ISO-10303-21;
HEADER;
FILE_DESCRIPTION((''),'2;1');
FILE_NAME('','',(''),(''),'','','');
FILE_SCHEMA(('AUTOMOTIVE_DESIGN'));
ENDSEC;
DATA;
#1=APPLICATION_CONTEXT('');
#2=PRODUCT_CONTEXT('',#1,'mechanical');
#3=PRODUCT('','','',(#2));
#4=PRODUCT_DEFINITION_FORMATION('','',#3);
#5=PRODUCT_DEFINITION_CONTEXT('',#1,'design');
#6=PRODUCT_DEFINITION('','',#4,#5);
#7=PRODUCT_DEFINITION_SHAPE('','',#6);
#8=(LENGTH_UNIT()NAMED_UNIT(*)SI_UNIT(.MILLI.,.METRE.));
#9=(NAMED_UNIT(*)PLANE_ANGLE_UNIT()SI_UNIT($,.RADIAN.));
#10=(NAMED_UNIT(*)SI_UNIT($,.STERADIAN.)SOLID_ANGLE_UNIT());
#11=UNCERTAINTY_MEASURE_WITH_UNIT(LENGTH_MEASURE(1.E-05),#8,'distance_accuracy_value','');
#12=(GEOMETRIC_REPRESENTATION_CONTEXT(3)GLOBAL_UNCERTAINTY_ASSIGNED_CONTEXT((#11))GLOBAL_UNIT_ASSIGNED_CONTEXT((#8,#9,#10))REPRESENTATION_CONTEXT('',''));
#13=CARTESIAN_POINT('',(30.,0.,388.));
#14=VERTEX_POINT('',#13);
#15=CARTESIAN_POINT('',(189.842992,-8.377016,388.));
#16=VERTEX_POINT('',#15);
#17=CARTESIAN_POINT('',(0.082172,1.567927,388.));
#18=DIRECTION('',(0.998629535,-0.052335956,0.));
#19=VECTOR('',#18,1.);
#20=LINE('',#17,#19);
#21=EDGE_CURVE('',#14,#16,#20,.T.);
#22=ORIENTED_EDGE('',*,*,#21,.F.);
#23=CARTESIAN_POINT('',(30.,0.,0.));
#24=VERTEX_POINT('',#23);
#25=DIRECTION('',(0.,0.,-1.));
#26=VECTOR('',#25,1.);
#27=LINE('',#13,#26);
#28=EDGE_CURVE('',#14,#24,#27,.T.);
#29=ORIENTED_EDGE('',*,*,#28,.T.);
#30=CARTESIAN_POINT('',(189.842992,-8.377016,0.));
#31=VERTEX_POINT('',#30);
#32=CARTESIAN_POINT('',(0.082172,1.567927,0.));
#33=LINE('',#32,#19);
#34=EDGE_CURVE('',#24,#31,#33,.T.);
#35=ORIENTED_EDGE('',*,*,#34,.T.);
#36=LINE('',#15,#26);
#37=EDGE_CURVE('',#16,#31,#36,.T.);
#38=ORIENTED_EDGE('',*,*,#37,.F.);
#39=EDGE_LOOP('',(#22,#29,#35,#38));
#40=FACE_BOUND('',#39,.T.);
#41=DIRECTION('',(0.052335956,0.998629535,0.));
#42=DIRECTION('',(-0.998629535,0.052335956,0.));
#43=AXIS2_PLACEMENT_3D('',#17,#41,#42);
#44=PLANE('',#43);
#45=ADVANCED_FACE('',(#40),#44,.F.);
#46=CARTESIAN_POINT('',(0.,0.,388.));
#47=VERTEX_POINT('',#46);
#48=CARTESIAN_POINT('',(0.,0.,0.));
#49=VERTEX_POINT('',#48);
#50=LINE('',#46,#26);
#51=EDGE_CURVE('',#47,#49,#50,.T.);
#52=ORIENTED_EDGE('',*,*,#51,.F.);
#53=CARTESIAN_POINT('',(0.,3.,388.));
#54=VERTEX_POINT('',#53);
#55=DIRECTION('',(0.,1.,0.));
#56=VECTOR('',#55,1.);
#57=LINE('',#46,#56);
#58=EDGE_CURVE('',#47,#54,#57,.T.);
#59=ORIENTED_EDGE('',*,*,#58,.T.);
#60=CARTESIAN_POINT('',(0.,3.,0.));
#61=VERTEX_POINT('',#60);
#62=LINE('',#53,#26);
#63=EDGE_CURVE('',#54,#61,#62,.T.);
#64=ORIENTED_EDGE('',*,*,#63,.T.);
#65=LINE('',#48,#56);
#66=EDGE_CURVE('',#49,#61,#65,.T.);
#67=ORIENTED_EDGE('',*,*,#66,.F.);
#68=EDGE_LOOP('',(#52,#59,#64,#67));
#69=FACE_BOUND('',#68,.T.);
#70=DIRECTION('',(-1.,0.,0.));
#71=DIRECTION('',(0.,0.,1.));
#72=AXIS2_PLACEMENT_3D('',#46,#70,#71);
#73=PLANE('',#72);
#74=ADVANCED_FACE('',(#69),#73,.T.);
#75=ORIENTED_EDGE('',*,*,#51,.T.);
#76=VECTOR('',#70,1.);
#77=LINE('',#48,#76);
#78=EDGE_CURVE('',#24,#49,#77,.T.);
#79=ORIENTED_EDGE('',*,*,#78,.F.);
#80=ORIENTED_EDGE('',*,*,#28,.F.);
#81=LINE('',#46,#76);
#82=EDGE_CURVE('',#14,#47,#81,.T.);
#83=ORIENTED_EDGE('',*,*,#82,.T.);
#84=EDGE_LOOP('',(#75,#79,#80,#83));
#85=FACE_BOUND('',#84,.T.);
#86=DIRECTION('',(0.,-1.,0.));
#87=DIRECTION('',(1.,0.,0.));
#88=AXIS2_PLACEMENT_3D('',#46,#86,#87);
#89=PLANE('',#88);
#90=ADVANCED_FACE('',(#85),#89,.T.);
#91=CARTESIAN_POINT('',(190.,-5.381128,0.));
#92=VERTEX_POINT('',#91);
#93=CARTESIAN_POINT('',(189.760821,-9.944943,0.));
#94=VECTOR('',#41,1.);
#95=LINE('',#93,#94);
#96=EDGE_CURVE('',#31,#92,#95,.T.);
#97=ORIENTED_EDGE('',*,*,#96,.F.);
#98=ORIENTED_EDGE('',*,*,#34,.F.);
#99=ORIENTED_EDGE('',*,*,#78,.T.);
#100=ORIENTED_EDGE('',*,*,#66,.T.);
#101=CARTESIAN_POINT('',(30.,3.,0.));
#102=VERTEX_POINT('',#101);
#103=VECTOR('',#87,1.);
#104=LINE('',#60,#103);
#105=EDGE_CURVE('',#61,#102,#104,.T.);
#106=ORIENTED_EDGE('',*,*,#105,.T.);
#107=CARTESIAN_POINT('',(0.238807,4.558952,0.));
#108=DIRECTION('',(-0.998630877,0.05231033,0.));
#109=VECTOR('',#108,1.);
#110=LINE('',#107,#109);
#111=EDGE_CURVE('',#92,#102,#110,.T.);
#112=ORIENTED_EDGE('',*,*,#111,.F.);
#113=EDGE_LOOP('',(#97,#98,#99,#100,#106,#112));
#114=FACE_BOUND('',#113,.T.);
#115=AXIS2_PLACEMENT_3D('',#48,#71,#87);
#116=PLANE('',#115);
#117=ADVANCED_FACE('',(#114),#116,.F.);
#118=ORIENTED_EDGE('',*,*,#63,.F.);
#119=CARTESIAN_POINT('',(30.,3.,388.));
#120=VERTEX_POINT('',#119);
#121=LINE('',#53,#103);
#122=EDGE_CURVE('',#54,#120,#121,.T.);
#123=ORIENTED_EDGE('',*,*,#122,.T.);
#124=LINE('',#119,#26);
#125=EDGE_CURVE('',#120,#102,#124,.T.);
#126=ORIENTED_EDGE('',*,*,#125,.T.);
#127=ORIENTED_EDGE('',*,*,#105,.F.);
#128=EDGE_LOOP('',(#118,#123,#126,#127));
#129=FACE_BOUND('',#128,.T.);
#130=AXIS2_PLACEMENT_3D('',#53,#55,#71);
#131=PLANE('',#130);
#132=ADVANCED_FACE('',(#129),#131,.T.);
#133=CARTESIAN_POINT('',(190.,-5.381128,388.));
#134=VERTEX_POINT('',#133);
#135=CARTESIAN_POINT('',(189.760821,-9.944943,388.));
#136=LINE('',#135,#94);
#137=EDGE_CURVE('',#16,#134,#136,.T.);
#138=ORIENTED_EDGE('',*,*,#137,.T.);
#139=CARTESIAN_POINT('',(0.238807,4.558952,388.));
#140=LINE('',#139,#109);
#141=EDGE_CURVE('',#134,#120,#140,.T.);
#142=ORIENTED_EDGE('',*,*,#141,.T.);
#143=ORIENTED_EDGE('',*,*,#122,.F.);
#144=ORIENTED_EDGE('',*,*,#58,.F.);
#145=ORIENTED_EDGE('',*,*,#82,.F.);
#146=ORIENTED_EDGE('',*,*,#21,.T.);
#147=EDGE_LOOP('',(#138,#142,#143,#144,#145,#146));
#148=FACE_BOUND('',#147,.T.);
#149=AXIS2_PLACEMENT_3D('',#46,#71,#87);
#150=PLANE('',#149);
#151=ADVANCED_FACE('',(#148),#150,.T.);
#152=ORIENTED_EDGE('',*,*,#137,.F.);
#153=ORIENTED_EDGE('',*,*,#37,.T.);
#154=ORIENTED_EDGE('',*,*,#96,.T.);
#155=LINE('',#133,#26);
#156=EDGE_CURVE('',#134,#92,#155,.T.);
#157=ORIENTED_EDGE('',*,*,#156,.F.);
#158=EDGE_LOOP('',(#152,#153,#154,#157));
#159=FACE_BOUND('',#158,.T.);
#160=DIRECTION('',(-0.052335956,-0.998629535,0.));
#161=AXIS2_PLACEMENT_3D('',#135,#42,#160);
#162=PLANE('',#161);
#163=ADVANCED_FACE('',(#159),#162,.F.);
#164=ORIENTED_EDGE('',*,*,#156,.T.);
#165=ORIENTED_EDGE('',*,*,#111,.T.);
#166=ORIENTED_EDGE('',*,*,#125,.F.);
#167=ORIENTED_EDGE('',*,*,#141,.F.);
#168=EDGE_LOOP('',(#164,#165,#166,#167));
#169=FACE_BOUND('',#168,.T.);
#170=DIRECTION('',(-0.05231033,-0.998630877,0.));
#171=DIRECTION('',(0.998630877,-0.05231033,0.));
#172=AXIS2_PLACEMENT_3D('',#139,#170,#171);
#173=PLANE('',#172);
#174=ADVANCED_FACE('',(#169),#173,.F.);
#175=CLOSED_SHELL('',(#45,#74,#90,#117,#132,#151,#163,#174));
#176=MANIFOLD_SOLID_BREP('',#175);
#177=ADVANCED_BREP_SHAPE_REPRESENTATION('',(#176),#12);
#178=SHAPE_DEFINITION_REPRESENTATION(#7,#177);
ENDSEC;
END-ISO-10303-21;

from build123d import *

# Parameters (mm, degrees)
SKETCH2_W           = 30
SKETCH2_H           = 3
BOSS_EXTRUDE1_DEPTH = 388


with BuildPart() as part:
    # Sketch2 → Boss-Extrude1 (new body)
    with BuildSketch(Plane.XY):
        with Locations((15, 1.5)):
            Rectangle(SKETCH2_W, SKETCH2_H)
        Polygon((189.842992131, -8.377016252), (190, -5.381127647), (30, 3), (30, 0), align=None)
    extrude(amount=BOSS_EXTRUDE1_DEPTH)


solid = part.part
